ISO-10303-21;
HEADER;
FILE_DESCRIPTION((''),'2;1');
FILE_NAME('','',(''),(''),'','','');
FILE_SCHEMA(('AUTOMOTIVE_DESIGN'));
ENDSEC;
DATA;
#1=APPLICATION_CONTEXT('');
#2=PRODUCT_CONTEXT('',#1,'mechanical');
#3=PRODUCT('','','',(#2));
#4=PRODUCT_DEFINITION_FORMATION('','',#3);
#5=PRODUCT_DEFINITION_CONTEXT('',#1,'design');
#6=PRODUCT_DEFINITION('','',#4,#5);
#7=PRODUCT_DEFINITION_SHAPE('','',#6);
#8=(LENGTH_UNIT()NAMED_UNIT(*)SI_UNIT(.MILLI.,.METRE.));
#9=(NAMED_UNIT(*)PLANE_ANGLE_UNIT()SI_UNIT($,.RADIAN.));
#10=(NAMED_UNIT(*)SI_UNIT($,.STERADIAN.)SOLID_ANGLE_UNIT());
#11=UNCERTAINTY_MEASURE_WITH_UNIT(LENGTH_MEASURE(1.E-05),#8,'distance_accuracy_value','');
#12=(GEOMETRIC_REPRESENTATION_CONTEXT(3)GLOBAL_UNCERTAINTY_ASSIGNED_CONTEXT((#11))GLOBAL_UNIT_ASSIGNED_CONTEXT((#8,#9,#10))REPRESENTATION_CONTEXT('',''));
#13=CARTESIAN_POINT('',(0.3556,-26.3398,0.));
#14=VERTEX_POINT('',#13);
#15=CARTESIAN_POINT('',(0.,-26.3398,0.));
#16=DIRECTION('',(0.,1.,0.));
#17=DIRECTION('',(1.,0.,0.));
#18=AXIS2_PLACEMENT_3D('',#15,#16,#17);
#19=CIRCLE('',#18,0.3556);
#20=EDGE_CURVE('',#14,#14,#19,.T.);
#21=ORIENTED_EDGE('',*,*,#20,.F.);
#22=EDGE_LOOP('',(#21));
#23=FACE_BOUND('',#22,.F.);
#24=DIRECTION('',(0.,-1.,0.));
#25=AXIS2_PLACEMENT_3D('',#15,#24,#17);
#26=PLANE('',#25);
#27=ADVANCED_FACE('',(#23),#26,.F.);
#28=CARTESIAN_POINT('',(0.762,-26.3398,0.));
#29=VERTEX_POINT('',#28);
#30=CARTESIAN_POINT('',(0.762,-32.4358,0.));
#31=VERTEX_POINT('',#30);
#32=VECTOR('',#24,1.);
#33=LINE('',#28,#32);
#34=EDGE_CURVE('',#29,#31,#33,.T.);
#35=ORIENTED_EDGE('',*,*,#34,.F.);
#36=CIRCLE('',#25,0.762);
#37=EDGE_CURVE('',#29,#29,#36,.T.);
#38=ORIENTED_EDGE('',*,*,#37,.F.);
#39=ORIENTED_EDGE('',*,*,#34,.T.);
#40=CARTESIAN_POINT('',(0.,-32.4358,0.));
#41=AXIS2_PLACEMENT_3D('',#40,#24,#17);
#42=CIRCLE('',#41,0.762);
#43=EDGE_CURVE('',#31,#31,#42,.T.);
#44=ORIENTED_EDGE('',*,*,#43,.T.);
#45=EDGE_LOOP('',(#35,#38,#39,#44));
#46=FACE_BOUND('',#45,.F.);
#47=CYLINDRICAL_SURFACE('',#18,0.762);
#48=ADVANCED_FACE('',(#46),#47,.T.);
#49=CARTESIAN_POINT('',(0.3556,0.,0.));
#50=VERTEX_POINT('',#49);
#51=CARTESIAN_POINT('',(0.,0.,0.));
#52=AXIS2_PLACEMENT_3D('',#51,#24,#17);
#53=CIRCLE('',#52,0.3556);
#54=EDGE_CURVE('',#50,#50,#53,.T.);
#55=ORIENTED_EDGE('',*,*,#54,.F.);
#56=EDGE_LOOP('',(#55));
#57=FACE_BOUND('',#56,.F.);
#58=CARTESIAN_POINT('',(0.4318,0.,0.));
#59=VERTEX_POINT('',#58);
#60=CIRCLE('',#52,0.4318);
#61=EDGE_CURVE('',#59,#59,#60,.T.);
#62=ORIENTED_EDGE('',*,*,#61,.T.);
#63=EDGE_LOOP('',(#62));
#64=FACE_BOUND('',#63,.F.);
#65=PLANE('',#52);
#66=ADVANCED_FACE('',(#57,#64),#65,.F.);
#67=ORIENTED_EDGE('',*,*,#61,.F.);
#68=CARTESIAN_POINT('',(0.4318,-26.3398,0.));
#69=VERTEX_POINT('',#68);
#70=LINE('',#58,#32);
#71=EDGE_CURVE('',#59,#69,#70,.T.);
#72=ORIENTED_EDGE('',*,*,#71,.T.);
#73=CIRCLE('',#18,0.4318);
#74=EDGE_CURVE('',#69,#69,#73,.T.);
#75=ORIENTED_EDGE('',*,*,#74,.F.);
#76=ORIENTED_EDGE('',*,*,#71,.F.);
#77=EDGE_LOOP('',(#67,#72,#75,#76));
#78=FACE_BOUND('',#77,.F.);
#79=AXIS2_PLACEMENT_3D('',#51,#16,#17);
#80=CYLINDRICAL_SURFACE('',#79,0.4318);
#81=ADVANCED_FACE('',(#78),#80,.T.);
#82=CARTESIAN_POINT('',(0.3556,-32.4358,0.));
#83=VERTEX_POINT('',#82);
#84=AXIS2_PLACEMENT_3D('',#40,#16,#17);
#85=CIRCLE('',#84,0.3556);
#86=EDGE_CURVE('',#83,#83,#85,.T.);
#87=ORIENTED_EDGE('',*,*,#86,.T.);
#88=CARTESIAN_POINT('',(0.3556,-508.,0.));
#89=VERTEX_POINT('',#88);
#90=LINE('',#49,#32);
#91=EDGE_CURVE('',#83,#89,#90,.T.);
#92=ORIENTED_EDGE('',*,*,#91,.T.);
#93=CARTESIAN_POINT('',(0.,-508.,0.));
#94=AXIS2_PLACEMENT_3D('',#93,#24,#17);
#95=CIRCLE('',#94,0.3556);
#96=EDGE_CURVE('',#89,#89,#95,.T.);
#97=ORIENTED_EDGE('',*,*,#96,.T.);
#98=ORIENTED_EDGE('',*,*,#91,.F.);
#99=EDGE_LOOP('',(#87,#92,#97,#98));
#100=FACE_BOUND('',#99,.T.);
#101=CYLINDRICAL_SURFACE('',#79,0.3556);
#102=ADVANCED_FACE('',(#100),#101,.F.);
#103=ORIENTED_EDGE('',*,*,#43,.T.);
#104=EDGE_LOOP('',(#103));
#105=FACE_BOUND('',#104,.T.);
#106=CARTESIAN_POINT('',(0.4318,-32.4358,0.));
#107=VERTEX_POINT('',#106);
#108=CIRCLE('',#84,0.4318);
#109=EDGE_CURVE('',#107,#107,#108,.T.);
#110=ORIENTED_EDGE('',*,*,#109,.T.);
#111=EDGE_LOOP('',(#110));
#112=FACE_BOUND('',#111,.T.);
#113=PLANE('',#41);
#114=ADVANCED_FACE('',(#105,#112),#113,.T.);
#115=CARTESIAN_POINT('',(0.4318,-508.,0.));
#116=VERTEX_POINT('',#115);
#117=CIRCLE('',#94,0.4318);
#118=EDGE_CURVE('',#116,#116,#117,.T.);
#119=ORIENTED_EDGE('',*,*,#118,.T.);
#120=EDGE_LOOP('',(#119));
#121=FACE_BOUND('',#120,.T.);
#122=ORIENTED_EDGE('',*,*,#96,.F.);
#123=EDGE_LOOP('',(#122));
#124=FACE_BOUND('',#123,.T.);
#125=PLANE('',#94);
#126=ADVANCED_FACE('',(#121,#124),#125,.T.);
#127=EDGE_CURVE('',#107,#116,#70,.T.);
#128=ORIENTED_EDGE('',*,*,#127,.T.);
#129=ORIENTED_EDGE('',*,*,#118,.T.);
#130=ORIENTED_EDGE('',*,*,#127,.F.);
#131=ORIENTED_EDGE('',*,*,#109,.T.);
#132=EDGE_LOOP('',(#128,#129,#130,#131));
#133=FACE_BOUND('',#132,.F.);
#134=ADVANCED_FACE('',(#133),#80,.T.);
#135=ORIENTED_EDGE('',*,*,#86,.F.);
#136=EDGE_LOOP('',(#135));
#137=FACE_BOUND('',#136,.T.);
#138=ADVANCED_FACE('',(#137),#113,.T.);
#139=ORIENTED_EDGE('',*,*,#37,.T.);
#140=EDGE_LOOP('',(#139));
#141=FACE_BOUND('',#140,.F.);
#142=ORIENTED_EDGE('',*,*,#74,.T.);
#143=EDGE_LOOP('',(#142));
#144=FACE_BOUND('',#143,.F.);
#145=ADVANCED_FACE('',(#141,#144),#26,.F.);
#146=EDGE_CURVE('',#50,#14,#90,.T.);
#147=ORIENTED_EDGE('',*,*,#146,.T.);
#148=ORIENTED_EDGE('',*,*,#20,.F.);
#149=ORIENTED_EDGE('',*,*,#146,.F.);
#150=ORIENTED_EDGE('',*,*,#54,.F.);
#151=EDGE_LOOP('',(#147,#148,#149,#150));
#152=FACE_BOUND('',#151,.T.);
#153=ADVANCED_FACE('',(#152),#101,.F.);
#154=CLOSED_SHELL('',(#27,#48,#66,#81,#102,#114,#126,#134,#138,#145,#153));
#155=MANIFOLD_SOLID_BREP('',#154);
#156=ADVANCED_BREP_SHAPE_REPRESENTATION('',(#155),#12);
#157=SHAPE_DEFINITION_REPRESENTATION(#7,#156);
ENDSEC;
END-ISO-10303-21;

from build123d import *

# Parameters (mm, degrees)
F0_R     = 0.4318
F0_R_2   = 0.3556
F1_DEPTH = 508
F3_R     = 0.762
F4_DEPTH = 6.096


with BuildPart() as f1:
    # F0 (on Front) → F1 (new body)
    with BuildSketch(Plane.XZ):
        Circle(F0_R)
        Circle(F0_R_2, mode=Mode.SUBTRACT)
    extrude(amount=F1_DEPTH)

    # F3 (on offset) → F4 (join)
    with BuildSketch(Plane.XZ.offset(26.3398)):
        Circle(F3_R)
    extrude(amount=F4_DEPTH)


solid = f1.part
